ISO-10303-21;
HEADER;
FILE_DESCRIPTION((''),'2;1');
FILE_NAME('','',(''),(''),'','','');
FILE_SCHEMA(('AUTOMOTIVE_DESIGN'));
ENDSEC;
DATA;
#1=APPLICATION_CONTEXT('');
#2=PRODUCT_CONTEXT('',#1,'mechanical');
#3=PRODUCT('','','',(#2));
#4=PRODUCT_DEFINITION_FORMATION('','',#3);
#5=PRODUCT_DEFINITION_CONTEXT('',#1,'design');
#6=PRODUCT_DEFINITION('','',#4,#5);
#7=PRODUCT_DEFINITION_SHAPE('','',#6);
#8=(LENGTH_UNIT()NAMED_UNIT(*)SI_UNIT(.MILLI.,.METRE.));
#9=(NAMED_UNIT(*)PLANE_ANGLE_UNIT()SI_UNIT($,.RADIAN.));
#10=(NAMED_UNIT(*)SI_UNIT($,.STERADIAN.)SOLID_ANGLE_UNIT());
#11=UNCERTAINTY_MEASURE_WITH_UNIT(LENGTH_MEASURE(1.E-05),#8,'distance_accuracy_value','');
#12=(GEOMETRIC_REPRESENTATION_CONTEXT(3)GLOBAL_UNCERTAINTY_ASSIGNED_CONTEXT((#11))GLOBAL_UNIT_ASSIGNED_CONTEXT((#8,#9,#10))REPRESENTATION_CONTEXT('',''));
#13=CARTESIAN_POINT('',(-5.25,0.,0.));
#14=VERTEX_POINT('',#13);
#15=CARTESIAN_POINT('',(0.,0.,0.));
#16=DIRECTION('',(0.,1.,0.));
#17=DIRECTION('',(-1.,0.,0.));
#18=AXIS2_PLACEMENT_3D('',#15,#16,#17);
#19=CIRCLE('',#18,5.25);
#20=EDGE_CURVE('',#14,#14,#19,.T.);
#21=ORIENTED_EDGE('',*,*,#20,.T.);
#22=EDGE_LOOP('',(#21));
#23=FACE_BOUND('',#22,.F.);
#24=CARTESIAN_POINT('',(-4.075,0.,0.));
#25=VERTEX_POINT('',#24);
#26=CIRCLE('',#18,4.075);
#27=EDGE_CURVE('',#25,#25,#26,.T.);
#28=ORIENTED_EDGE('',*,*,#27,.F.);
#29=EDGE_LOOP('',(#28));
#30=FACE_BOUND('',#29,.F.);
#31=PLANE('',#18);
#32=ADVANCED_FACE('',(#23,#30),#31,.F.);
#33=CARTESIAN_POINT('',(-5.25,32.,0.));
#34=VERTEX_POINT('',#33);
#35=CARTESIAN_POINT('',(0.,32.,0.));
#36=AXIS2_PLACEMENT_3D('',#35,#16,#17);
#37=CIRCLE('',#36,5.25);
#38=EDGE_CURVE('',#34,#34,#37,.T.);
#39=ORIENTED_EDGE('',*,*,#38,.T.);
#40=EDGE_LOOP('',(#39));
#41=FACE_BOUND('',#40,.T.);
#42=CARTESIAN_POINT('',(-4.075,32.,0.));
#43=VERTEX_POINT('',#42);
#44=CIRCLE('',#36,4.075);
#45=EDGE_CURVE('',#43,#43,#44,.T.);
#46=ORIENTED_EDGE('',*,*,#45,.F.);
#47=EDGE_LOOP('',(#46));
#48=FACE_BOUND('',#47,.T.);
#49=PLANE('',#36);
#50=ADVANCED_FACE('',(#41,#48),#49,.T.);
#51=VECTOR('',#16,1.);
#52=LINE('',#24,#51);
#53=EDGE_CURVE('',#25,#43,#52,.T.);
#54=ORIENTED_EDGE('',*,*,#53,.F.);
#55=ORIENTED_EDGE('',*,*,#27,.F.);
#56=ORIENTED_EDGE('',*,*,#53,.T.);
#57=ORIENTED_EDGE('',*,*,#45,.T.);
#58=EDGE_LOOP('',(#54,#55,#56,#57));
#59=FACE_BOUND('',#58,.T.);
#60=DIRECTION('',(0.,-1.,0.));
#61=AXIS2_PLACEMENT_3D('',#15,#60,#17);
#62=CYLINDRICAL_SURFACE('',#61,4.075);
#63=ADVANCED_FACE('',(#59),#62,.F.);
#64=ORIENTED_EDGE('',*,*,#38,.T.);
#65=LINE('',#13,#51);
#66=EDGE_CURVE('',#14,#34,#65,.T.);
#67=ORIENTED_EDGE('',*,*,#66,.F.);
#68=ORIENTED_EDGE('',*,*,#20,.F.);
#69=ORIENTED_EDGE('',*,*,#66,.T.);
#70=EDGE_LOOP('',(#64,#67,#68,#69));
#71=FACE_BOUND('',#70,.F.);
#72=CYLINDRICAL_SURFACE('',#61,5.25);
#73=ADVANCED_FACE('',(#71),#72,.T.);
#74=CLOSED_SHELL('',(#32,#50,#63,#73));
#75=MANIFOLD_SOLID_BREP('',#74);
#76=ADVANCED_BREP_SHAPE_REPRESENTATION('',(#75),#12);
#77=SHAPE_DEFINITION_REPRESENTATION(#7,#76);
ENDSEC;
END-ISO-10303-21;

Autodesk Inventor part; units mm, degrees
ref_plane "YZ Plane" through (0, 0, 0) normal (1, 0, 0) x (0, 1, 0)
ref_plane "XZ Plane" through (0, 0, 0) normal (0, 1, 0) x (-1, 0, 0)
ref_plane "XY Plane" through (0, 0, 0) normal (0, 0, 1) x (1, 0, 0)
sketch "Szkic1" plane through (0, 0, 0) normal (0, 1, 0) x (-1, 0, 0)
  circle A0 centre (0, 0) radius 5.25
  circle A1 centre (0, 0) radius 4.075
  dimension "d0" = 8.15
  dimension "d1" = 10.5
extrude "Wyciągnięcie proste1" add sketch "Szkic1" along normal blind 32
equation "\"d0\" = rotor_sleeve_in_D"
equation "\"d1\" = rotor_sleeve_out_D"
equation "\"d2\" = rotor_sleeve_h"
equation "\"insert_m2_d\" = 2.9"
equation "\"insert_m2_h\" = 7"
equation "\"insert_m2_corner\" = 0.5"
equation "\"insert_m2_pocket_d\" = 2.6"
equation "\"insert_m2_pocket_D\" = 4.5"
equation "\"insert_m2_pocket_nut_h\" = 1.5"
equation "\"stator_r_out\" = 30.15"
equation "\"stator_out_d\" = 3.2"
equation "\"stator_h\" = 45"
equation "\"stator_radial_screw_d\" = 4"
equation "\"stator_radial_screw_pos\" = 4"
equation "\"mag_size_x\" = 7"
equation "\"mag_size_y\" = 3"
equation "\"mag_corner_r\" = 0.4"
equation "\"magnet_ring_r\" = 26.95"
equation "\"magnet_ring_d\" = 3.3"
equation "\"magnet_ring_h\" = 36"
equation "\"magnet_ring_pocket_mag_size_x\" = 7.1"
equation "\"magnet_ring_pocket_mag_size_y\" = 3.1"
equation "\"magnet_ring_pocket_mag_size_z\" = 10.1"
equation "\"magnet_ring_pocket_radial_cut\" = 1.4"
equation "\"magnet_ring_insert_part_lengthen\" = 8"
equation "\"magnet_ring_insert_part_axial_flat_cut\" = 0.17"
equation "\"magnet_ring_insert_pos\" = 4"
equation "\"casing_d\" = 3"
equation "\"casing_r_in\" = 30.15"
equation "\"casing_lock_hole_r\" = 14.25"
equation "\"casing_lock_h\" = 8"
equation "\"casing_stator_fix_r\" = 23"
equation "\"casing_stator_fix_h\" = 6"
equation "\"casing_sidebar_length\" = 3"
equation "\"casing_vent_hole_length\" = 4"
equation "\"casing_vent_hole_width\" = 6"
equation "\"casing_head_insert_r\" = 19"
equation "\"casing_radial_stator_insert_pos\" = 18.1"
equation "\"rotor_out_r\" = 22.5"
equation "\"rotor_coil_groove_in_r\" = 17"
equation "\"rotor_coil_groove_ang\" = 18deg"
equation "\"rotor_core_r\" = 14.97"
equation "\"rotor_coil_groove_in_correction_r\" = 18"
equation "\"rotor_plastic_h\" = 32"
equation "\"rotor_teeth_d\" = 1.5"
equation "\"rotor_plastic_insert_r\" = 37"
equation "\"shaft_d\" = 8"
equation "\"shaft_lock_1_d\" = 8.1"
equation "\"shaft_lock_1_D\" = 44"
equation "\"shaft_lock_1_h1\" = 3.5"
equation "\"shaft_lock_1_corner\" = 2"
equation "\"shaft_lock_1_rotor_insert_grove_d_in\" = 36"
equation "\"shaft_lock_1_rotor_insert_grove_width_out\" = 5.5"
equation "\"shaft_lock_1_rotor_insert_grove_width_in\" = 7.6"
equation "\"shaft_lock_1_rotor_insert_r\" = 37"
equation "\"shaft_lock_1_shaft_insert_axial_cut_out_width\" = 12"
equation "\"shaft_lock_1_shaft_insert_axial_cut_in_width\" = 5.4"
equation "\"shaft_lock_1_shaft_insert_pos\" = 2.5"
equation "\"shaft_lock_1_shaft_insert_corner\" = 2"
equation "\"shaft_lock_1_shaft_insert_corner_finish\" = 0.5"
equation "\"shaft_lock_2_d\" = 8.1"
equation "\"shaft_lock_2_D\" = 44"
equation "\"shaft_lock_2_h1\" = 3.5"
equation "\"shaft_lock_2_corner\" = 2"
equation "\"shaft_lock_2_rotor_insert_grove_d_in\" = 36"
equation "\"shaft_lock_2_rotor_insert_grove_width_out\" = 5.5"
equation "\"shaft_lock_2_rotor_insert_grove_width_in\" = 7.6"
equation "\"shaft_lock_2_rotor_insert_r\" = 37"
equation "\"shaft_lock_2_shaft_insert_axial_cut_out_width\" = 12"
equation "\"shaft_lock_2_shaft_insert_axial_cut_in_width\" = 5.4"
equation "\"shaft_lock_2_shaft_insert_pos\" = 2.5"
equation "\"shaft_lock_2_shaft_insert_corner\" = 2"
equation "\"shaft_lock_2_shaft_insert_corner_finish\" = 0.5"
equation "\"commutator_plastic_shaft_d\" = 8.1"
equation "\"commutator_plastic_h\" = 17"
equation "\"commutator_plastic_insert_cut_deepness\" = 0.5"
equation "\"commutator_plastic_insert_cut_length\" = 6"
equation "\"commutator_plastic_insert_pos\" = 3"
equation "\"commutator_plate_D\" = 22"
equation "\"commutator_plate_d\" = 1"
equation "\"commutator_plate_ang\" = 55deg"
equation "\"commutator_plate_h\" = 17"
equation "\"commutator_plate_insert_pos\" = 3"
equation "\"sleeve_in_r\" = 11.1"
equation "\"sleeve_d\" = 3"
equation "\"sleeve_h\" = 7"
equation "\"sleeve_cup_r\" = 22"
equation "\"sleeve_cup_h\" = 4.5"
equation "\"sleeve_head_insert_r\" = 19"
equation "\"rotor_sleeve_out_D\" = 10.5"
equation "\"rotor_sleeve_in_D\" = 8.15"
equation "\"rotor_sleeve_h\" = 32"
equation "\"carbon_brush_batt_h\" = 8"
equation "\"carbon_brush_batt_d\" = 4"
equation "\"brush_cart_outer_holder_width\" = 5.5"
equation "\"brush_cart_outer_holder_arc_r\" = 33.15"
equation "\"brush_cart_outer_holder_arc_pos\" = 1.5"
equation "\"casing_cart_hole_corner\" = 1"
equation "\"casing_cart_hole_width\" = 2.6"
equation "\"casing_cart_hole_ang\" = 90deg"
equation "\"brush_holder_batt_arc_r\" = 30.15"
equation "\"brush_holder_batt_width\" = 16"
equation "\"brush_holder_batt_insert_flat_length\" = 6"
equation "\"brush_holder_batt_insert_flat_depth\" = 6"
equation "\"brush_holder_batt_insert_flat_width\" = 2"
equation "\"brush_holder_batt_brush_hole_d\" = 4.5"
equation "\"casing_backsleeve_insert_pos\" = 4.9"
equation "\"casing_cart_hole_pos\" = 17"
equation "\"casing_sleeve_cut_d\" = 46"
equation "\"casing_sleeve_cut_h\" = 4"
equation "\"name_plate_D\" = 45"
equation "\"name_plate_d\" = 28"
equation "\"name_plate_insert_r\" = 19"
equation "\"sleeve_bearing_material_lock_h\" = 2"
equation "\"back_sleeve_D\" = 66"
equation "\"back_sleeve_d\" = 22.2"
equation "\"back_sleeve_h\" = 5"
equation "\"commutator_back_plate_lock_h\" = 2"
equation "\"commutator_back_plate_lock_r\" = 23"
equation "\"commutator_plastic_back_plate_lock_r\" = 11.9"
equation "\"commutator_plastic_back_plate_lock_h\" = 1"
equation "\"commutator_plastic_back_plate_hook_in_r\" = 11.15"
equation "\"commutator_plastic_back_plate_hook_d\" = 1"
properties part number "rotor_sleeve"
